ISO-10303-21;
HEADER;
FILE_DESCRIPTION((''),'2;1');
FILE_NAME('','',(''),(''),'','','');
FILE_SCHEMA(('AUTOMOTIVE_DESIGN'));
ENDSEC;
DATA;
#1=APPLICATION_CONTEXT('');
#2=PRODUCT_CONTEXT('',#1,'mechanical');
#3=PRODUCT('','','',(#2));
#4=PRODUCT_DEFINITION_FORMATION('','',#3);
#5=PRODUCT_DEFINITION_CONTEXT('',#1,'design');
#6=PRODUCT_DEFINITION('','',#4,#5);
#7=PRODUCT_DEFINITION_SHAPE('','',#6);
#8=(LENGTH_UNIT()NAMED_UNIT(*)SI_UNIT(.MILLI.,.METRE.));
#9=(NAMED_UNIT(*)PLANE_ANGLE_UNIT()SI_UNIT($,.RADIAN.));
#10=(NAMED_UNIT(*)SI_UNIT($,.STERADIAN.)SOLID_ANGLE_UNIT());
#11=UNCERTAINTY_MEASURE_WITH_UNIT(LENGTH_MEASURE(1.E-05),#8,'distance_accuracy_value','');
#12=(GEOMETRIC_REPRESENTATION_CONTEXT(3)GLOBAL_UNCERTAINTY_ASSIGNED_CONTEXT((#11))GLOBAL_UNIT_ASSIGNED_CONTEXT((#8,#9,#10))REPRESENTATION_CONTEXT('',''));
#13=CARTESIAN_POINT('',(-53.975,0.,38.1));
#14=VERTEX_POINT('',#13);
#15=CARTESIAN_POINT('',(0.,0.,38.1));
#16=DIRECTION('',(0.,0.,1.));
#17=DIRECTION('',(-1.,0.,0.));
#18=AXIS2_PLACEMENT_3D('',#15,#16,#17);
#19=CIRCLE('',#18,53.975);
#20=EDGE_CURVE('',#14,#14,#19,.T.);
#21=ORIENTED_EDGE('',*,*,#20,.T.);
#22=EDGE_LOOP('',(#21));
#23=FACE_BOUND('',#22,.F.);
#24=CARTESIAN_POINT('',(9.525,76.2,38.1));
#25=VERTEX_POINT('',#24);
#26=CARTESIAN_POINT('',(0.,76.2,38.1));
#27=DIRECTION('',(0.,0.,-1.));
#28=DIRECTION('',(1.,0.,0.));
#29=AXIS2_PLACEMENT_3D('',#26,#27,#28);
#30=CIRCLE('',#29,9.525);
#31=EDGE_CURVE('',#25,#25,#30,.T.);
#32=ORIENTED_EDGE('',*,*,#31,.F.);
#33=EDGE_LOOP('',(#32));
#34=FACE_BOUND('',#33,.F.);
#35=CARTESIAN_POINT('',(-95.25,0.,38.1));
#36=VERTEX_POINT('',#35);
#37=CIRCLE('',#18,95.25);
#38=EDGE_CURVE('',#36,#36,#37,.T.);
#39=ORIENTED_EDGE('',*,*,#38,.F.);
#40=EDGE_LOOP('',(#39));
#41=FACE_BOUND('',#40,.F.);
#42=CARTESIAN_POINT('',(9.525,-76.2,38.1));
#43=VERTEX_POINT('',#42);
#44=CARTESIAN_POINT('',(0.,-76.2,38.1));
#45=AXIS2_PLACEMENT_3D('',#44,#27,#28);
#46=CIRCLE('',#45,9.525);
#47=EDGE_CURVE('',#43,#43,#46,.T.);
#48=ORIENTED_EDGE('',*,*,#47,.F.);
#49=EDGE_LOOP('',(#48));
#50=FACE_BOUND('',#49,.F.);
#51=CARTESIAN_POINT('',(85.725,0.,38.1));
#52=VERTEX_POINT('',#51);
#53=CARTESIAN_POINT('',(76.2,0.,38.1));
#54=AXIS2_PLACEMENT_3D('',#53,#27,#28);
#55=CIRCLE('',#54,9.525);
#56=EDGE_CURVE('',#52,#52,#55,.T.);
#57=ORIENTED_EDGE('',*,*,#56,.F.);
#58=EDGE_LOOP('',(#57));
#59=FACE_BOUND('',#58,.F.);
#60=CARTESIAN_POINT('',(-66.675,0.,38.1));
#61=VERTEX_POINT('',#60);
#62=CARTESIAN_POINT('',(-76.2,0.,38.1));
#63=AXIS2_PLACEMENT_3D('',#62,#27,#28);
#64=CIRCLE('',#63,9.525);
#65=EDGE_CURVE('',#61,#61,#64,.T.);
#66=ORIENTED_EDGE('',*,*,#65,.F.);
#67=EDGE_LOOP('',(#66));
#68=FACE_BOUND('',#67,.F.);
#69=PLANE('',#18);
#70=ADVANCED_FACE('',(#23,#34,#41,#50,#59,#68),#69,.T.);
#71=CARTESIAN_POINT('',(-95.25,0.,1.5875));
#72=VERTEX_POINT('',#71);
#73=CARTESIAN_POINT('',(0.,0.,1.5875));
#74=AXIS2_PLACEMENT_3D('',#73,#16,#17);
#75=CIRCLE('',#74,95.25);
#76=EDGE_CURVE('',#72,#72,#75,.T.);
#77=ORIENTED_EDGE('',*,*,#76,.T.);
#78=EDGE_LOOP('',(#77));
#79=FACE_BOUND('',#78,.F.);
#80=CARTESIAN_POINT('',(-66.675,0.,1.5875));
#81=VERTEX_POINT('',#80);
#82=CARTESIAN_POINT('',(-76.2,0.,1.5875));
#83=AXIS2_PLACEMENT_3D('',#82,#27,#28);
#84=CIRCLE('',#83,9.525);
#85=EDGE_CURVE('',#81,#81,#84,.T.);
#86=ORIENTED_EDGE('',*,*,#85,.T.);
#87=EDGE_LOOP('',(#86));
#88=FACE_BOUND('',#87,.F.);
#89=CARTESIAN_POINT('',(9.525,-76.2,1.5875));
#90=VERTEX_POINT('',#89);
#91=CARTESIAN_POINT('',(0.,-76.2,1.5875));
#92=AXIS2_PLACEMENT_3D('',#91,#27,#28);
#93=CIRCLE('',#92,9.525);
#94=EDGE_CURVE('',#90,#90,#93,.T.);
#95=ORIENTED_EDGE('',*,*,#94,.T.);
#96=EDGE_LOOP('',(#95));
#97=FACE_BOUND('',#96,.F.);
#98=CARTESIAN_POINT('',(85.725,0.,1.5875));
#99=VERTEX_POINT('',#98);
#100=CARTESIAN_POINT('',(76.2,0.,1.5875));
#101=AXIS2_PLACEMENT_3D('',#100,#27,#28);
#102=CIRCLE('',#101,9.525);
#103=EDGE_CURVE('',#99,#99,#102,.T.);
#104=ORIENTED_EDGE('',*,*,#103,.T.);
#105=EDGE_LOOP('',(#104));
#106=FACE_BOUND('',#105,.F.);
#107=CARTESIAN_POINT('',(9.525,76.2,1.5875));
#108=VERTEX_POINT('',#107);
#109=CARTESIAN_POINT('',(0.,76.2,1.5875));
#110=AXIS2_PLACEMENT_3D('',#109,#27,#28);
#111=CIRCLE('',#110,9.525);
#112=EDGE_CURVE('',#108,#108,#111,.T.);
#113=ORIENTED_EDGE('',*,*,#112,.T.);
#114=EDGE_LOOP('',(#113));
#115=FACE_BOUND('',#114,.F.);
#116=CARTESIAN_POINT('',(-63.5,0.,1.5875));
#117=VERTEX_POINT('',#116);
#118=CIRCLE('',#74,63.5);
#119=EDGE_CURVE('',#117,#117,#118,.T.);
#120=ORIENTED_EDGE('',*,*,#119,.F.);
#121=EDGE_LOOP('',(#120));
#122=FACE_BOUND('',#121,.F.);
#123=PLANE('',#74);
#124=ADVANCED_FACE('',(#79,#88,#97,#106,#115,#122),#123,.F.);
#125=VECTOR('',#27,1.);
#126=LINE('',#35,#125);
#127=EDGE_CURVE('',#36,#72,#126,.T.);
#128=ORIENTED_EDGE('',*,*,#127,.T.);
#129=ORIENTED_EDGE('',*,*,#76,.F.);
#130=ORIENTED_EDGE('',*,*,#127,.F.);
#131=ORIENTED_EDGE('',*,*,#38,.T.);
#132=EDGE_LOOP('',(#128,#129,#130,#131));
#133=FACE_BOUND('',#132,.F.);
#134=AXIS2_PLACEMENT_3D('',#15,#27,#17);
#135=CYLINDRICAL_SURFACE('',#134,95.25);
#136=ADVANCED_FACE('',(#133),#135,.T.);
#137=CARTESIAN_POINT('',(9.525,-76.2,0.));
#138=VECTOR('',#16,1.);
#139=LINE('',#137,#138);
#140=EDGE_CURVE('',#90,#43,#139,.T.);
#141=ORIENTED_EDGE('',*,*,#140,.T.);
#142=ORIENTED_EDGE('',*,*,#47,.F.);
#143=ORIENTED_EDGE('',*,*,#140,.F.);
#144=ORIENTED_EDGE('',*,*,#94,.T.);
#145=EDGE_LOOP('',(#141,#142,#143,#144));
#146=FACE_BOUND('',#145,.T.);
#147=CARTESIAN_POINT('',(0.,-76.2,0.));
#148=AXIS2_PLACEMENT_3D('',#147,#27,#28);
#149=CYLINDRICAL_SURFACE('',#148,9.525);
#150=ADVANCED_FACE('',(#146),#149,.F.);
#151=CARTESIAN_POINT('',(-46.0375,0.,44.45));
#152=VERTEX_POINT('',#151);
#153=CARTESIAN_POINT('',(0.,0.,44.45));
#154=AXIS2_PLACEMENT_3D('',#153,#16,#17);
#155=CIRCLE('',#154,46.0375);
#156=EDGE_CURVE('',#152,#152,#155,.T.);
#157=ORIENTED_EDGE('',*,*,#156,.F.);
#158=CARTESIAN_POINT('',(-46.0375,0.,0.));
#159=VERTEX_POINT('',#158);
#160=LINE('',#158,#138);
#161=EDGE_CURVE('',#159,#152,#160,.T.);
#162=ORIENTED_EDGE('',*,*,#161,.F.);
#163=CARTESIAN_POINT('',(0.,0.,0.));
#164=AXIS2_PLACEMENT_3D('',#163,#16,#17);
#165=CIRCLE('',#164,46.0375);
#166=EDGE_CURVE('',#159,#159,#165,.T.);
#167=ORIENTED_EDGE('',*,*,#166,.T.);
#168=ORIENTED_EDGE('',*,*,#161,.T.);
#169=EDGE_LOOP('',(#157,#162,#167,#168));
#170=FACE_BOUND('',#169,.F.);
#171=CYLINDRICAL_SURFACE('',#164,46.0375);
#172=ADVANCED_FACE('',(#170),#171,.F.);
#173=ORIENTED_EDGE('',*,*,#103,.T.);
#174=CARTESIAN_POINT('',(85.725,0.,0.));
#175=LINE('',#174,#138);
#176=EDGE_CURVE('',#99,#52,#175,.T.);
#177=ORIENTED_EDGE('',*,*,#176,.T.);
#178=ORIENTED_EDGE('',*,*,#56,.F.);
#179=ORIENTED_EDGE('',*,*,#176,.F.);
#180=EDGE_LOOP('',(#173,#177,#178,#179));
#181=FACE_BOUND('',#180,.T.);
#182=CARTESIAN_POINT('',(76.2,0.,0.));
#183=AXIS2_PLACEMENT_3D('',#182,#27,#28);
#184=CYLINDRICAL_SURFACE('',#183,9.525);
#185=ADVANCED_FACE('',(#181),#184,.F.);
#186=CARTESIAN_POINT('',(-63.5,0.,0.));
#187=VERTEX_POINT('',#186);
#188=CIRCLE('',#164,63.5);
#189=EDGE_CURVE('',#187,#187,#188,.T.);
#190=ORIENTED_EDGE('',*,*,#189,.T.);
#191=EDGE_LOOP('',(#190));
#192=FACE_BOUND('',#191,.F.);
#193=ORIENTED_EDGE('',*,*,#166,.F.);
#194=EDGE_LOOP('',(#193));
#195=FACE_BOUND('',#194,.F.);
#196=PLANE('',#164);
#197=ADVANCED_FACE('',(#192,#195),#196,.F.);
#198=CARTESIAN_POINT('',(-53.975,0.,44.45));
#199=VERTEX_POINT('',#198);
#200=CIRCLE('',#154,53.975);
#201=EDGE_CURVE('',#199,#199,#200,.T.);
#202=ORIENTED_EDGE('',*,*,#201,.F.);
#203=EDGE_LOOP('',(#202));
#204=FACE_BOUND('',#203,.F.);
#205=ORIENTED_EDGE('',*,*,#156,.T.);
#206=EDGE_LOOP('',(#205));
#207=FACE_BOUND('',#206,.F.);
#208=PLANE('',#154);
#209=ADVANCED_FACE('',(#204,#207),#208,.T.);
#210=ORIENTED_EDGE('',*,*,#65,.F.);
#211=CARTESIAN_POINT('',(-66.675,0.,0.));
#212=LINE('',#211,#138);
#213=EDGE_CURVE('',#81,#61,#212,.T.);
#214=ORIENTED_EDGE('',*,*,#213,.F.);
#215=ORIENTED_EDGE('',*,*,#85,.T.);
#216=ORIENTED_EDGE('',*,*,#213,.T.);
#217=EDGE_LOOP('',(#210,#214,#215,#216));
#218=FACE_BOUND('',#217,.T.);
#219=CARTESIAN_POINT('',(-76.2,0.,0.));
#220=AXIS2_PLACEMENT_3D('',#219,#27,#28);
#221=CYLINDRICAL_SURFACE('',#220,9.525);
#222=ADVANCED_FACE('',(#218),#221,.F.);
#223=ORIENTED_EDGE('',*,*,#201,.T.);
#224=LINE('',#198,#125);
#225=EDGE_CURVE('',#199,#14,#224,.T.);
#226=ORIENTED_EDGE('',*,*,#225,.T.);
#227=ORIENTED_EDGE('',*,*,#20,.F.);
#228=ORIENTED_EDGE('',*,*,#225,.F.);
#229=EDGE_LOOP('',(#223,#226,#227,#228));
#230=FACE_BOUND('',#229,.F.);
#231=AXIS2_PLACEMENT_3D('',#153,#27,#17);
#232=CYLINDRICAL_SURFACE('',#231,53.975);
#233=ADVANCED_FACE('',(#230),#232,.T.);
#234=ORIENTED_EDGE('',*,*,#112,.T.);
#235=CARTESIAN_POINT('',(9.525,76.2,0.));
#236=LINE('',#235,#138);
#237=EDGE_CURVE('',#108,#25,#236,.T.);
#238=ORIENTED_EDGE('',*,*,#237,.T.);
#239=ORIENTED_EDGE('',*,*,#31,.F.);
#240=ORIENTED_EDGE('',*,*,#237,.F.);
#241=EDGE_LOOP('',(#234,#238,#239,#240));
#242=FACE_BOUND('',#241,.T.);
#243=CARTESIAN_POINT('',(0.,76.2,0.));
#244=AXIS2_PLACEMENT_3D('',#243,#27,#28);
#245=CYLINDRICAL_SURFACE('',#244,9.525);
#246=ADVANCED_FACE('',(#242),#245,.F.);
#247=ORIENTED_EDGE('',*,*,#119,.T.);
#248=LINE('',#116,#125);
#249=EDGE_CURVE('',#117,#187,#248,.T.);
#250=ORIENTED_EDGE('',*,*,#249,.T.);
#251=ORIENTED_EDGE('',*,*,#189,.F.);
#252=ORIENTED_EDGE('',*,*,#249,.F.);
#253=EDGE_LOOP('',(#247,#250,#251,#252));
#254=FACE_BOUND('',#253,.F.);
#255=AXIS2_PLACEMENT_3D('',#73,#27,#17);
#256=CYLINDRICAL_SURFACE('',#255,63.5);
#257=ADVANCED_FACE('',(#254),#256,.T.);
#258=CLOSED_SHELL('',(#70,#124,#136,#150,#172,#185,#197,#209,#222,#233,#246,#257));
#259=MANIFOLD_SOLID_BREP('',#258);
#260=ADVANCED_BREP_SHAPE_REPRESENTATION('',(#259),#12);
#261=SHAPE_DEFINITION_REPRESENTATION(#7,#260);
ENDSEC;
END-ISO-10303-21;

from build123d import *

# Parameters (mm, degrees)
F2_R     = 9.525
F3_DEPTH = 44.451


with BuildPart() as f1:
    # F0 (on Front) → F1 (revolve)
    with BuildSketch(Plane.XZ):
        Polygon((-63.5, 0), (-46.0375, 0), (-46.0375, 44.45), (-53.975, 44.45), (-53.975, 38.1), (-95.25, 38.1), (-95.25, 1.5875), (-63.5, 1.5875), align=None)
    revolve(axis=Axis((0, 0, 22.225), (0, 0, 1)))

    # F2 (on Top) → F3 (cut, through all)
    with BuildSketch(Plane.XY):
        with Locations((76.2, 0)):
            Circle(F2_R)
        with Locations((0, 76.2)):
            Circle(F2_R)
        with Locations((-76.2, 0)):
            Circle(F2_R)
        with Locations((0, -76.2)):
            Circle(F2_R)
    extrude(amount=F3_DEPTH, mode=Mode.SUBTRACT)


solid = f1.part
